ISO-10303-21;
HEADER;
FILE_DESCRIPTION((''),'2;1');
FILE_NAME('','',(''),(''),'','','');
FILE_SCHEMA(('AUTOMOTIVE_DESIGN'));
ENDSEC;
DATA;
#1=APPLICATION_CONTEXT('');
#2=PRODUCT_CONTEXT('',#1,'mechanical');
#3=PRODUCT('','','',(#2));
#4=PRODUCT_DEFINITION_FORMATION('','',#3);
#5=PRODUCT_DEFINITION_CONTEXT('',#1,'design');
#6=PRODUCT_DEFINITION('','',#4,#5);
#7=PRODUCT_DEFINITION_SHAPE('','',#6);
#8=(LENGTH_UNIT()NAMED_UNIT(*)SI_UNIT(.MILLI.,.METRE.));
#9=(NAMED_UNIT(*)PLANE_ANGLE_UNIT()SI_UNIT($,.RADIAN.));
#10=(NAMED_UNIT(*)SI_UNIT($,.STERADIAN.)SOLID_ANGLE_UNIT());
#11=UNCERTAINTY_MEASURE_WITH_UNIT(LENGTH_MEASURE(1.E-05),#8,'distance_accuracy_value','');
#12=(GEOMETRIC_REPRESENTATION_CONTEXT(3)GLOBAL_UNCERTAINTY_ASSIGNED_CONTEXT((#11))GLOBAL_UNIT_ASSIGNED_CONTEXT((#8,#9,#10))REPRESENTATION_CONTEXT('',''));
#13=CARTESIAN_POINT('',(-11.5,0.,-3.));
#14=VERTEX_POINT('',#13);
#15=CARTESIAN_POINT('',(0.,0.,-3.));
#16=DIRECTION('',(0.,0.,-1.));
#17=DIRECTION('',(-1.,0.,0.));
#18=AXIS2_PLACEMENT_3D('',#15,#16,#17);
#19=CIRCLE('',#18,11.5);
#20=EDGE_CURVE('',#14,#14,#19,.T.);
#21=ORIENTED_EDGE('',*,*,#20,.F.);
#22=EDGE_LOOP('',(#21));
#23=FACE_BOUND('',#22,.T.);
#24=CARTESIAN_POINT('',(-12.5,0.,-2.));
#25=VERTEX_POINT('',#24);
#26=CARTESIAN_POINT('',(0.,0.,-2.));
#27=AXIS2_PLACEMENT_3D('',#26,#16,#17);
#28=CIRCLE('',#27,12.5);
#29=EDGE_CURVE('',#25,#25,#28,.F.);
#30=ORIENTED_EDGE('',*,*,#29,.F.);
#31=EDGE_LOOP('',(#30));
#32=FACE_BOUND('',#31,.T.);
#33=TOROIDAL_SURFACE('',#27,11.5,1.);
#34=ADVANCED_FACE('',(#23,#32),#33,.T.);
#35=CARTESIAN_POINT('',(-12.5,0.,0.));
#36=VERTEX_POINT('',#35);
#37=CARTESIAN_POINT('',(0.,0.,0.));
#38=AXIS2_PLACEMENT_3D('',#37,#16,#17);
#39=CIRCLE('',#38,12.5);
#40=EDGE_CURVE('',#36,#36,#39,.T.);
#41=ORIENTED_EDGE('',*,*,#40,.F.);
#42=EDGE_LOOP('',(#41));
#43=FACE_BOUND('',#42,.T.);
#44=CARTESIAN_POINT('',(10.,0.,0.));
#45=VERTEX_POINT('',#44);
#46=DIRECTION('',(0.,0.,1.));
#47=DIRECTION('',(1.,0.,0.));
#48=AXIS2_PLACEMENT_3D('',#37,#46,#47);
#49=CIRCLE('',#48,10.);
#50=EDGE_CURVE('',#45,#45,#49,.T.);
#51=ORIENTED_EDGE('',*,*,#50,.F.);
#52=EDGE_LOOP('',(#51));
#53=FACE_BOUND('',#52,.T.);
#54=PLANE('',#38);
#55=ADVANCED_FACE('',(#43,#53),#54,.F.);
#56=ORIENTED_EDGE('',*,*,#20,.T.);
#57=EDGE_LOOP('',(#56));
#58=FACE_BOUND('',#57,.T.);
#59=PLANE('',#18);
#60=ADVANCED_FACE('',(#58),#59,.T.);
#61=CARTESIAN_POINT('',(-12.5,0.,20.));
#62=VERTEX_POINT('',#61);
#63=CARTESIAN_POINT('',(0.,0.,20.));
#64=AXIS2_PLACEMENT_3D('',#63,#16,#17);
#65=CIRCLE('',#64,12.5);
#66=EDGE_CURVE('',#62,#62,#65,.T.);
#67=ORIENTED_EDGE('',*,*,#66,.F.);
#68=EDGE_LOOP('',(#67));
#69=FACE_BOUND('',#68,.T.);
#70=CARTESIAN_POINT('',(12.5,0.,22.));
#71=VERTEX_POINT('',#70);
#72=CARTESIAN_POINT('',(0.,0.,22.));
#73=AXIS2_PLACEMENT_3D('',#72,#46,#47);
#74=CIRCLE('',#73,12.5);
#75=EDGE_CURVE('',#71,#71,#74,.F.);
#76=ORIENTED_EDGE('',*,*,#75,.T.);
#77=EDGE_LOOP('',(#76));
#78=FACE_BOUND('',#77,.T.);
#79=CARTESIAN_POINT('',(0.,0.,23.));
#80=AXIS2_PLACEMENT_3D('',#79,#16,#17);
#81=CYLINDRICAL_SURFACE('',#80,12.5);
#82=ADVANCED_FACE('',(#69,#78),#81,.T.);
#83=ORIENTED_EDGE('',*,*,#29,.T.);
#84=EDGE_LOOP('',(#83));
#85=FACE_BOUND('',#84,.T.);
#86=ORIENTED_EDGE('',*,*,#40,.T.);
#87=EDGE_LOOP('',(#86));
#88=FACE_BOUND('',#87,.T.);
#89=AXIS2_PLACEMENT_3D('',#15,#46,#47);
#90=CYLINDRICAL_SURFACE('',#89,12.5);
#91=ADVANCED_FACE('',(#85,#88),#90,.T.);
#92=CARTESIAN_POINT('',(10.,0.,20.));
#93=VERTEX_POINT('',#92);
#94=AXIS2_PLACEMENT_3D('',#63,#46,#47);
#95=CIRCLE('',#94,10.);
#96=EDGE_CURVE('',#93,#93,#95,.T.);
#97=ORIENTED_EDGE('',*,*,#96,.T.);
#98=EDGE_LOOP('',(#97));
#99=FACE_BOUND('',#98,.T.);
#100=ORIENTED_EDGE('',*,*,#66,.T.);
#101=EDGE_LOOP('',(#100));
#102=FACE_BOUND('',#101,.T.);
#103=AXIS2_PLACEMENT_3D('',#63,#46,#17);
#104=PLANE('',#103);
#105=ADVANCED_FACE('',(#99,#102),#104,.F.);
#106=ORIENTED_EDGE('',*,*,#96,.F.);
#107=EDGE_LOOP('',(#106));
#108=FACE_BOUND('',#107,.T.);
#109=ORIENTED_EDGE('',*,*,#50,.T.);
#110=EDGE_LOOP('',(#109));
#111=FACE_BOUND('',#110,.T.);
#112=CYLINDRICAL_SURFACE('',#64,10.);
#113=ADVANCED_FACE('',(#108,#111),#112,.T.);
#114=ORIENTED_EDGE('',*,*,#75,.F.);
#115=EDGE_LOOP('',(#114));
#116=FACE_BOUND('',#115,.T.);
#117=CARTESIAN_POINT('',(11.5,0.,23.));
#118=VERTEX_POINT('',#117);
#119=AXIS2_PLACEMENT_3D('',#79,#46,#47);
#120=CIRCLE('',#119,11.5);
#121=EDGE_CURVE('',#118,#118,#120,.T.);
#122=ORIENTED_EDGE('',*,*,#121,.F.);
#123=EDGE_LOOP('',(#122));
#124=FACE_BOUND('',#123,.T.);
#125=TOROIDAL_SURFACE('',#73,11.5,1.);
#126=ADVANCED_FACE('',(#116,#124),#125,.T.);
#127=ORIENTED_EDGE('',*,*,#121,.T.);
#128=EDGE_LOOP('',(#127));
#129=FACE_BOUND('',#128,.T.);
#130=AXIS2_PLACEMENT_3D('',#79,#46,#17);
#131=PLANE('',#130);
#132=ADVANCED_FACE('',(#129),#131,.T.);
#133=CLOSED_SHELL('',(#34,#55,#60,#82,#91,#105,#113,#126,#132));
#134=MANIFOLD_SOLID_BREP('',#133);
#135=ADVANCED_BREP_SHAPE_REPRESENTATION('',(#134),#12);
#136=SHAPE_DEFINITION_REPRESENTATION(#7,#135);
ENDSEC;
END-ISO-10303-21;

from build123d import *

# Parameters (mm, degrees)
SKETCH1_R            = 10
BOSS_EXTRUDE1_DEPTH  = 20
SKETCH2_R            = 12.5
BOSS_EXTRUDE2_DEPTH  = 3
FILLET1_R            = 1
FILLET1_OF_MIRROR1_R = 1


with BuildPart() as part:
    # Sketch1 → Boss-Extrude1 (new body)
    with BuildSketch(Plane.XY):
        Circle(SKETCH1_R)
    extrude(amount=BOSS_EXTRUDE1_DEPTH)

    # Sketch2 → Boss-Extrude2 (add)
    with BuildSketch(Plane(origin=(0, 0, 0), x_dir=(-1, 0, 0), z_dir=(0, 0, -1))):
        Circle(SKETCH2_R)
    boss_extrude2 = extrude(amount=BOSS_EXTRUDE2_DEPTH)

    # Fillet1
    fillet1_edges = [part.edges().sort_by_distance(p)[0] for p in [
        (12.5, 0, -3),
    ]]
    fillet(fillet1_edges, radius=FILLET1_R)

    # Mirror1: Boss-Extrude2 across plane
    add(boss_extrude2.mirror(Plane.XY.offset(10)))

    # Fillet1 of Mirror1
    fillet1_of_mirror1_edges = [part.edges().sort_by_distance(p)[0] for p in [
        (12.5, 0, 23),
    ]]
    fillet(fillet1_of_mirror1_edges, radius=FILLET1_OF_MIRROR1_R)


solid = part.part
